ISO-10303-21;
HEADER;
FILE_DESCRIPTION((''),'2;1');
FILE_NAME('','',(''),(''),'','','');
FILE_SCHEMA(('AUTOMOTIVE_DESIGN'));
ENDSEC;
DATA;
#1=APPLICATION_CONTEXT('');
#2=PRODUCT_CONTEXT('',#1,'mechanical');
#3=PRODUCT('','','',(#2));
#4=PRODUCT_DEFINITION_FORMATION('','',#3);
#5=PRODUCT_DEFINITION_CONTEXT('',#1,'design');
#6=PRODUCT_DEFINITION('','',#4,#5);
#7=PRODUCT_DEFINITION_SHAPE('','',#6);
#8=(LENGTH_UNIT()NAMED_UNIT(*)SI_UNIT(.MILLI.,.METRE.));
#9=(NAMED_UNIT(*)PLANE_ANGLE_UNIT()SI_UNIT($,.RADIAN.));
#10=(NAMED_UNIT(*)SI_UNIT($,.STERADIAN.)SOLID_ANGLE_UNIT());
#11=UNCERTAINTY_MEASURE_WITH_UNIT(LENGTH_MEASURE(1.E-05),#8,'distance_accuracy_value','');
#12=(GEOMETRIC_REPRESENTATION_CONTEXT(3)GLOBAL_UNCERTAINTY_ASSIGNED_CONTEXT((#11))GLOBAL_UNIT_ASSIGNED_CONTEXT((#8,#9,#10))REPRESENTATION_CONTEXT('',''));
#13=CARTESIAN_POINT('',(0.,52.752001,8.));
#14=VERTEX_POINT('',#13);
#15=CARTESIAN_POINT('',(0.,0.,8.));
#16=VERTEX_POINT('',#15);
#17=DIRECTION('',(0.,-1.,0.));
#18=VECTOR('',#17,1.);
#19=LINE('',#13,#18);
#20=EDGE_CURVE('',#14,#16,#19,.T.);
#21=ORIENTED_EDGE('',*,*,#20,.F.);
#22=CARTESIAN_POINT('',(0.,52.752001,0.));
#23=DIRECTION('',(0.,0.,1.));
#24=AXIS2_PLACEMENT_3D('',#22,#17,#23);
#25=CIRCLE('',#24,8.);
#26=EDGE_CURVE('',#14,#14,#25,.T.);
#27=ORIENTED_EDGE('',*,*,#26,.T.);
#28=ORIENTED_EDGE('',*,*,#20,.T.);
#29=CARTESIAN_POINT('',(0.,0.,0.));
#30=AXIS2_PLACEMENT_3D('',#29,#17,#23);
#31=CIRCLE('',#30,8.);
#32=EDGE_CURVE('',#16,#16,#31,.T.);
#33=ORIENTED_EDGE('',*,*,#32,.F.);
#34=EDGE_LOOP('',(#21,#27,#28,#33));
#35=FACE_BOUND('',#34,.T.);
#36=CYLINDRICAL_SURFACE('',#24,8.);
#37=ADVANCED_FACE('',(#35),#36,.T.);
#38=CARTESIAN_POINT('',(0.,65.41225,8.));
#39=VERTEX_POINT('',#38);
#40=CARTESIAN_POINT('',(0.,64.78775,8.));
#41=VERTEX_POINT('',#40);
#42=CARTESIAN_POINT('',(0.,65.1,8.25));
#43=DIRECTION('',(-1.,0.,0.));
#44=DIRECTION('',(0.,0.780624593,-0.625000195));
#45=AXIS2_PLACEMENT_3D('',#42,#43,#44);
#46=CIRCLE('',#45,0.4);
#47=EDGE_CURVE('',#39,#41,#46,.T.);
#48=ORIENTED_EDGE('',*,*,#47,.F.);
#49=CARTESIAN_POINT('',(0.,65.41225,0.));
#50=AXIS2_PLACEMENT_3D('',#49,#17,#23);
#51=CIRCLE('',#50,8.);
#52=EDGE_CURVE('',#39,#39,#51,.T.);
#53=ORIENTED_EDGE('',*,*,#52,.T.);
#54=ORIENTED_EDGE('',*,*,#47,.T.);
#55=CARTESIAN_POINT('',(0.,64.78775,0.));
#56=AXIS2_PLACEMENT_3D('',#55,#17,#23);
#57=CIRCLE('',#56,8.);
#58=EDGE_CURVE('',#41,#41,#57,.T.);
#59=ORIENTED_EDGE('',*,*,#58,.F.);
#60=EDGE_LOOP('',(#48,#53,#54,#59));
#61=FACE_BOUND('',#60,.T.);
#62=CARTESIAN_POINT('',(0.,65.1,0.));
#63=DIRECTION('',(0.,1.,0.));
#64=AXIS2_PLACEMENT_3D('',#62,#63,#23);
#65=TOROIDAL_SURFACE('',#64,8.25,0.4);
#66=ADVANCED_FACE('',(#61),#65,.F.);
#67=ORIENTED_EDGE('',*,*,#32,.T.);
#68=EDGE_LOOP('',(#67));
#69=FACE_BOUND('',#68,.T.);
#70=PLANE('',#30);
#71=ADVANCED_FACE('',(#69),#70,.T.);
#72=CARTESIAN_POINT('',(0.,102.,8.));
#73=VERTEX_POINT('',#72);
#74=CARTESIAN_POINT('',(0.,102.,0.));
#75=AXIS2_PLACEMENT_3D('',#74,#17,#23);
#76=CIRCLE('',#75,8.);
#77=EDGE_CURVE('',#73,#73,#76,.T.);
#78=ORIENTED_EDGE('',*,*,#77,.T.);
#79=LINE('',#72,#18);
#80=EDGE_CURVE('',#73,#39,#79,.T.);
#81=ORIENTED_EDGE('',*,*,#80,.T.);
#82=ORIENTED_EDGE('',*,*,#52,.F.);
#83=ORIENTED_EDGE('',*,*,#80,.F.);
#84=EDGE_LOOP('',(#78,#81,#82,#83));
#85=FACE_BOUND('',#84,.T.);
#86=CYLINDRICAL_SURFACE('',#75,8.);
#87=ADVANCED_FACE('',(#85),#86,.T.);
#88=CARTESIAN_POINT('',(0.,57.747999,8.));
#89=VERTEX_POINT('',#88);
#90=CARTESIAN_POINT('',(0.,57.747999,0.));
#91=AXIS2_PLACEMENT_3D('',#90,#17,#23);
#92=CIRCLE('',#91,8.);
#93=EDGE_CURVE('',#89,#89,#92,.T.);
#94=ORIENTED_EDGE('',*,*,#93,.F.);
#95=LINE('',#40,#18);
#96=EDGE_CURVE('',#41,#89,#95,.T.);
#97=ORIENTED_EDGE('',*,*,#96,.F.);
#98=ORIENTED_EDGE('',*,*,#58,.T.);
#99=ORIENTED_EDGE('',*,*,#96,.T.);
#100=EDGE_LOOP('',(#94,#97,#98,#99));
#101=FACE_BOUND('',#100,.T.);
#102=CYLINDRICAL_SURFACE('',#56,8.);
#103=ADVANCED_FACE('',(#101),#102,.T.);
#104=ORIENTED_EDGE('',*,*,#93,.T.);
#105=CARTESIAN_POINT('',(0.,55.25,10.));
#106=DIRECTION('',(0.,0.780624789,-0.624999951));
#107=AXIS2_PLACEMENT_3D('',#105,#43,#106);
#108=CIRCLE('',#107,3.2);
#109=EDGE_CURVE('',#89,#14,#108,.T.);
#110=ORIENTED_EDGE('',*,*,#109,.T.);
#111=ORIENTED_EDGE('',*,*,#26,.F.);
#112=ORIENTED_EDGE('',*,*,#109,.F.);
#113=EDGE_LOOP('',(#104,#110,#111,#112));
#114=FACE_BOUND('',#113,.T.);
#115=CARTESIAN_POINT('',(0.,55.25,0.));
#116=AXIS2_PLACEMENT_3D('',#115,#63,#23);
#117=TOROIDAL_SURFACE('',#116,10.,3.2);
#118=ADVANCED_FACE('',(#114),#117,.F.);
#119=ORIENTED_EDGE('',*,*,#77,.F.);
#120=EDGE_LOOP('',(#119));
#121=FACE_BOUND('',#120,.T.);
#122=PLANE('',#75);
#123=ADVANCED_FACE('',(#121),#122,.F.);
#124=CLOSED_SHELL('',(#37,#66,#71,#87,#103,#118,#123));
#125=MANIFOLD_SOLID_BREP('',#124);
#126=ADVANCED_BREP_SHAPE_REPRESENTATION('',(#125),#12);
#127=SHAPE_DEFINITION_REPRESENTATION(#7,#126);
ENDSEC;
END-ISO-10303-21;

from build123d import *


with BuildPart() as f1:
    # F0 (on Right) → F1 (revolve)
    with BuildSketch(Plane.YZ):
        with BuildLine():
            Line((0, 8), (0, 0))
            Line((0, 0), (102, 0))
            Line((102, 0), (102, 8))
            Line((102, 8), (65.41225, 8))
            ThreePointArc((65.41225, 8), (65.1, 7.85), (64.78775, 8))
            Line((64.78775, 8), (57.747999, 8))
            ThreePointArc((57.747999, 8), (55.25, 6.8), (52.752001, 8))
            Line((52.752001, 8), (0, 8))
        make_face()
    revolve(axis=Axis((0, 51, 0), (0, -1, 0)))


solid = f1.part
